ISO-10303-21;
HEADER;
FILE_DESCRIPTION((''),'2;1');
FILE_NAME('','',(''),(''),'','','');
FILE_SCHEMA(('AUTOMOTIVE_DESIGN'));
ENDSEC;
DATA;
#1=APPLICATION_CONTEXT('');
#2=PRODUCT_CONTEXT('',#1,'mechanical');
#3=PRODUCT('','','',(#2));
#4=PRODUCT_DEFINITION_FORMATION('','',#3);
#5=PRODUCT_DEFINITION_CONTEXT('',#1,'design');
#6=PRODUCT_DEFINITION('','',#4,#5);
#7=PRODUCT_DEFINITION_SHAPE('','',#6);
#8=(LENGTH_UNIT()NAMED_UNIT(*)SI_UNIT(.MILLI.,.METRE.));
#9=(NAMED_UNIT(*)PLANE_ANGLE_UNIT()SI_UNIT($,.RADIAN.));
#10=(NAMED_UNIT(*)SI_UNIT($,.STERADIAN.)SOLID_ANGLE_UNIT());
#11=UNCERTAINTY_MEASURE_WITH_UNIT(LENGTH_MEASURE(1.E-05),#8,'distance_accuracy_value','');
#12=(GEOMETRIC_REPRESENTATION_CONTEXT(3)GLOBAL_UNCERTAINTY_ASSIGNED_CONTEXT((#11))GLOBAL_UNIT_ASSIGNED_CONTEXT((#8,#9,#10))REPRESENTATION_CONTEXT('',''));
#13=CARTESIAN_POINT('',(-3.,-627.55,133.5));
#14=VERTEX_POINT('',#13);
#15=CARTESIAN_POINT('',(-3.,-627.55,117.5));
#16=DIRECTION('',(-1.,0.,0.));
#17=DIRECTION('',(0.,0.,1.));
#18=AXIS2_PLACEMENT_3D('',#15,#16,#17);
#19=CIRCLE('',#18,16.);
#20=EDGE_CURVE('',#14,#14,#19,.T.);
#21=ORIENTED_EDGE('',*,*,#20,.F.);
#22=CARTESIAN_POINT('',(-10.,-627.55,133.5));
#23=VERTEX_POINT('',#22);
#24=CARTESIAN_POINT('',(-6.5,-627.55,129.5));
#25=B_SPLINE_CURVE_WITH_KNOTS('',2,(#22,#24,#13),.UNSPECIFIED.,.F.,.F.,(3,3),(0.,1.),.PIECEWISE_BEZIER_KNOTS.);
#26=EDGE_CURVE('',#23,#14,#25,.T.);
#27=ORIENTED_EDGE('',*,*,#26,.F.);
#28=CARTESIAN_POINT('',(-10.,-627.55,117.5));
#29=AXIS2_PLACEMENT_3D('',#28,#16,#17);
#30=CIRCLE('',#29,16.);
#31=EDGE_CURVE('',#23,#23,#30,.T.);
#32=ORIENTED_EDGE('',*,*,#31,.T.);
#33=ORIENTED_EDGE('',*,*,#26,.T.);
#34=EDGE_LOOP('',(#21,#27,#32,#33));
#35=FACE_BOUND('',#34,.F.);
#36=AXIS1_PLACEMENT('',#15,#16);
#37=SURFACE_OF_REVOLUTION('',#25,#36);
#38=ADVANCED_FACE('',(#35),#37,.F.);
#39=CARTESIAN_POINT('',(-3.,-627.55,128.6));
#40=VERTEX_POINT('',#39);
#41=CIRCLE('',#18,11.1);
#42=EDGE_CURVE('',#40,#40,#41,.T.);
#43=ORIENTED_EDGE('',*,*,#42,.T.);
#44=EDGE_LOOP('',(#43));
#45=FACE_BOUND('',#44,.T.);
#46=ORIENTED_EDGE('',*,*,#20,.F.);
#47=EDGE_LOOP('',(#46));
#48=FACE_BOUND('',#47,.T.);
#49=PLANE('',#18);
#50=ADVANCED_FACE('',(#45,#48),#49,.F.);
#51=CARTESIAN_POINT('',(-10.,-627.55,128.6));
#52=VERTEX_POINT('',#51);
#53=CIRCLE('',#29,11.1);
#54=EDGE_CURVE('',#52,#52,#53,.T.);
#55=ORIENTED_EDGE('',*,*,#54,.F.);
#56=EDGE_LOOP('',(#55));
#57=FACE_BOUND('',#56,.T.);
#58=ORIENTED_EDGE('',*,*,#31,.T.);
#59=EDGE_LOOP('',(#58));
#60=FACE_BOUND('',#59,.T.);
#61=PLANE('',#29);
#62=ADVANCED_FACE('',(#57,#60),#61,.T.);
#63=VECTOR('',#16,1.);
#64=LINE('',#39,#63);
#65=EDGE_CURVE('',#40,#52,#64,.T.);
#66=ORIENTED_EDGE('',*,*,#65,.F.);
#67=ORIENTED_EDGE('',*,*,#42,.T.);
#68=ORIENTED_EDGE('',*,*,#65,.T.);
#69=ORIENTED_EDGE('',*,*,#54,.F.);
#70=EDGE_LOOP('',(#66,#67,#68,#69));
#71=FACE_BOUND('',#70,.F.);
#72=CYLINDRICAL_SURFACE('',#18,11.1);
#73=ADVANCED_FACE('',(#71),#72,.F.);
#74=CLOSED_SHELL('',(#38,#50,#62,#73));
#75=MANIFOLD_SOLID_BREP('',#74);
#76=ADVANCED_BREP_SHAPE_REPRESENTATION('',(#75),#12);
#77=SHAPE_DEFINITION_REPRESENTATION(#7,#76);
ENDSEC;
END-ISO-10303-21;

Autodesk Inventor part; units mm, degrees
ref_plane "YZ Plane" through (0, 0, 0) normal (1, 0, 0) x (0, 1, 0)
ref_plane "XZ Plane" through (0, 0, 0) normal (0, 1, 0) x (-1, 0, 0)
ref_plane "XY Plane" through (0, 0, 0) normal (0, 0, 1) x (1, 0, 0)
ref_plane "Work Plane2" through (0, -627.55, 134.7) normal (0, 1, 0) x (1, 0, 0)
sketch "Sketch1" plane through (0, -627.55, 134.7) normal (0, 1, 0) x (1, 0, 0)
  line L0 (-3, 6.1) -> (-10, 6.1)
  line L1 (-10, 6.1) -> (-3, 6.1)
  line L2 (-3, 6.1) -> (-3, 1.2)
  line L3 (-3, 1.2) -> (-10, 1.2)
  line L4 (-10, 1.2) -> (-10, 6.1)
  spline S0 degree 2 poles (-10, 1.2) (-6.5, 5.2) (-3, 1.2) knots 0 0 0 1 1 1
  line L5 (-10, 28.2) -> (-10, 6.2) projected
  line L6 (-3, 34.4) -> (-3, 0) projected
  line L7 (2.014, 17.2) -> (-12.084, 17.2) projected
  point P0 (0, 134.7)
  point P1 (-6.5, 3.2)
  point P2 (-3, 6.1)
  dimension "d0" = 4.9
  dimension "d1" = 2
revolve "Revolution1" add sketch "Sketch1" angle 360 about axis through (-3, -627.55, 117.5) along (-1, 0, 0) contours L2 S0 L4 L0
properties part number "bearing cable track"
